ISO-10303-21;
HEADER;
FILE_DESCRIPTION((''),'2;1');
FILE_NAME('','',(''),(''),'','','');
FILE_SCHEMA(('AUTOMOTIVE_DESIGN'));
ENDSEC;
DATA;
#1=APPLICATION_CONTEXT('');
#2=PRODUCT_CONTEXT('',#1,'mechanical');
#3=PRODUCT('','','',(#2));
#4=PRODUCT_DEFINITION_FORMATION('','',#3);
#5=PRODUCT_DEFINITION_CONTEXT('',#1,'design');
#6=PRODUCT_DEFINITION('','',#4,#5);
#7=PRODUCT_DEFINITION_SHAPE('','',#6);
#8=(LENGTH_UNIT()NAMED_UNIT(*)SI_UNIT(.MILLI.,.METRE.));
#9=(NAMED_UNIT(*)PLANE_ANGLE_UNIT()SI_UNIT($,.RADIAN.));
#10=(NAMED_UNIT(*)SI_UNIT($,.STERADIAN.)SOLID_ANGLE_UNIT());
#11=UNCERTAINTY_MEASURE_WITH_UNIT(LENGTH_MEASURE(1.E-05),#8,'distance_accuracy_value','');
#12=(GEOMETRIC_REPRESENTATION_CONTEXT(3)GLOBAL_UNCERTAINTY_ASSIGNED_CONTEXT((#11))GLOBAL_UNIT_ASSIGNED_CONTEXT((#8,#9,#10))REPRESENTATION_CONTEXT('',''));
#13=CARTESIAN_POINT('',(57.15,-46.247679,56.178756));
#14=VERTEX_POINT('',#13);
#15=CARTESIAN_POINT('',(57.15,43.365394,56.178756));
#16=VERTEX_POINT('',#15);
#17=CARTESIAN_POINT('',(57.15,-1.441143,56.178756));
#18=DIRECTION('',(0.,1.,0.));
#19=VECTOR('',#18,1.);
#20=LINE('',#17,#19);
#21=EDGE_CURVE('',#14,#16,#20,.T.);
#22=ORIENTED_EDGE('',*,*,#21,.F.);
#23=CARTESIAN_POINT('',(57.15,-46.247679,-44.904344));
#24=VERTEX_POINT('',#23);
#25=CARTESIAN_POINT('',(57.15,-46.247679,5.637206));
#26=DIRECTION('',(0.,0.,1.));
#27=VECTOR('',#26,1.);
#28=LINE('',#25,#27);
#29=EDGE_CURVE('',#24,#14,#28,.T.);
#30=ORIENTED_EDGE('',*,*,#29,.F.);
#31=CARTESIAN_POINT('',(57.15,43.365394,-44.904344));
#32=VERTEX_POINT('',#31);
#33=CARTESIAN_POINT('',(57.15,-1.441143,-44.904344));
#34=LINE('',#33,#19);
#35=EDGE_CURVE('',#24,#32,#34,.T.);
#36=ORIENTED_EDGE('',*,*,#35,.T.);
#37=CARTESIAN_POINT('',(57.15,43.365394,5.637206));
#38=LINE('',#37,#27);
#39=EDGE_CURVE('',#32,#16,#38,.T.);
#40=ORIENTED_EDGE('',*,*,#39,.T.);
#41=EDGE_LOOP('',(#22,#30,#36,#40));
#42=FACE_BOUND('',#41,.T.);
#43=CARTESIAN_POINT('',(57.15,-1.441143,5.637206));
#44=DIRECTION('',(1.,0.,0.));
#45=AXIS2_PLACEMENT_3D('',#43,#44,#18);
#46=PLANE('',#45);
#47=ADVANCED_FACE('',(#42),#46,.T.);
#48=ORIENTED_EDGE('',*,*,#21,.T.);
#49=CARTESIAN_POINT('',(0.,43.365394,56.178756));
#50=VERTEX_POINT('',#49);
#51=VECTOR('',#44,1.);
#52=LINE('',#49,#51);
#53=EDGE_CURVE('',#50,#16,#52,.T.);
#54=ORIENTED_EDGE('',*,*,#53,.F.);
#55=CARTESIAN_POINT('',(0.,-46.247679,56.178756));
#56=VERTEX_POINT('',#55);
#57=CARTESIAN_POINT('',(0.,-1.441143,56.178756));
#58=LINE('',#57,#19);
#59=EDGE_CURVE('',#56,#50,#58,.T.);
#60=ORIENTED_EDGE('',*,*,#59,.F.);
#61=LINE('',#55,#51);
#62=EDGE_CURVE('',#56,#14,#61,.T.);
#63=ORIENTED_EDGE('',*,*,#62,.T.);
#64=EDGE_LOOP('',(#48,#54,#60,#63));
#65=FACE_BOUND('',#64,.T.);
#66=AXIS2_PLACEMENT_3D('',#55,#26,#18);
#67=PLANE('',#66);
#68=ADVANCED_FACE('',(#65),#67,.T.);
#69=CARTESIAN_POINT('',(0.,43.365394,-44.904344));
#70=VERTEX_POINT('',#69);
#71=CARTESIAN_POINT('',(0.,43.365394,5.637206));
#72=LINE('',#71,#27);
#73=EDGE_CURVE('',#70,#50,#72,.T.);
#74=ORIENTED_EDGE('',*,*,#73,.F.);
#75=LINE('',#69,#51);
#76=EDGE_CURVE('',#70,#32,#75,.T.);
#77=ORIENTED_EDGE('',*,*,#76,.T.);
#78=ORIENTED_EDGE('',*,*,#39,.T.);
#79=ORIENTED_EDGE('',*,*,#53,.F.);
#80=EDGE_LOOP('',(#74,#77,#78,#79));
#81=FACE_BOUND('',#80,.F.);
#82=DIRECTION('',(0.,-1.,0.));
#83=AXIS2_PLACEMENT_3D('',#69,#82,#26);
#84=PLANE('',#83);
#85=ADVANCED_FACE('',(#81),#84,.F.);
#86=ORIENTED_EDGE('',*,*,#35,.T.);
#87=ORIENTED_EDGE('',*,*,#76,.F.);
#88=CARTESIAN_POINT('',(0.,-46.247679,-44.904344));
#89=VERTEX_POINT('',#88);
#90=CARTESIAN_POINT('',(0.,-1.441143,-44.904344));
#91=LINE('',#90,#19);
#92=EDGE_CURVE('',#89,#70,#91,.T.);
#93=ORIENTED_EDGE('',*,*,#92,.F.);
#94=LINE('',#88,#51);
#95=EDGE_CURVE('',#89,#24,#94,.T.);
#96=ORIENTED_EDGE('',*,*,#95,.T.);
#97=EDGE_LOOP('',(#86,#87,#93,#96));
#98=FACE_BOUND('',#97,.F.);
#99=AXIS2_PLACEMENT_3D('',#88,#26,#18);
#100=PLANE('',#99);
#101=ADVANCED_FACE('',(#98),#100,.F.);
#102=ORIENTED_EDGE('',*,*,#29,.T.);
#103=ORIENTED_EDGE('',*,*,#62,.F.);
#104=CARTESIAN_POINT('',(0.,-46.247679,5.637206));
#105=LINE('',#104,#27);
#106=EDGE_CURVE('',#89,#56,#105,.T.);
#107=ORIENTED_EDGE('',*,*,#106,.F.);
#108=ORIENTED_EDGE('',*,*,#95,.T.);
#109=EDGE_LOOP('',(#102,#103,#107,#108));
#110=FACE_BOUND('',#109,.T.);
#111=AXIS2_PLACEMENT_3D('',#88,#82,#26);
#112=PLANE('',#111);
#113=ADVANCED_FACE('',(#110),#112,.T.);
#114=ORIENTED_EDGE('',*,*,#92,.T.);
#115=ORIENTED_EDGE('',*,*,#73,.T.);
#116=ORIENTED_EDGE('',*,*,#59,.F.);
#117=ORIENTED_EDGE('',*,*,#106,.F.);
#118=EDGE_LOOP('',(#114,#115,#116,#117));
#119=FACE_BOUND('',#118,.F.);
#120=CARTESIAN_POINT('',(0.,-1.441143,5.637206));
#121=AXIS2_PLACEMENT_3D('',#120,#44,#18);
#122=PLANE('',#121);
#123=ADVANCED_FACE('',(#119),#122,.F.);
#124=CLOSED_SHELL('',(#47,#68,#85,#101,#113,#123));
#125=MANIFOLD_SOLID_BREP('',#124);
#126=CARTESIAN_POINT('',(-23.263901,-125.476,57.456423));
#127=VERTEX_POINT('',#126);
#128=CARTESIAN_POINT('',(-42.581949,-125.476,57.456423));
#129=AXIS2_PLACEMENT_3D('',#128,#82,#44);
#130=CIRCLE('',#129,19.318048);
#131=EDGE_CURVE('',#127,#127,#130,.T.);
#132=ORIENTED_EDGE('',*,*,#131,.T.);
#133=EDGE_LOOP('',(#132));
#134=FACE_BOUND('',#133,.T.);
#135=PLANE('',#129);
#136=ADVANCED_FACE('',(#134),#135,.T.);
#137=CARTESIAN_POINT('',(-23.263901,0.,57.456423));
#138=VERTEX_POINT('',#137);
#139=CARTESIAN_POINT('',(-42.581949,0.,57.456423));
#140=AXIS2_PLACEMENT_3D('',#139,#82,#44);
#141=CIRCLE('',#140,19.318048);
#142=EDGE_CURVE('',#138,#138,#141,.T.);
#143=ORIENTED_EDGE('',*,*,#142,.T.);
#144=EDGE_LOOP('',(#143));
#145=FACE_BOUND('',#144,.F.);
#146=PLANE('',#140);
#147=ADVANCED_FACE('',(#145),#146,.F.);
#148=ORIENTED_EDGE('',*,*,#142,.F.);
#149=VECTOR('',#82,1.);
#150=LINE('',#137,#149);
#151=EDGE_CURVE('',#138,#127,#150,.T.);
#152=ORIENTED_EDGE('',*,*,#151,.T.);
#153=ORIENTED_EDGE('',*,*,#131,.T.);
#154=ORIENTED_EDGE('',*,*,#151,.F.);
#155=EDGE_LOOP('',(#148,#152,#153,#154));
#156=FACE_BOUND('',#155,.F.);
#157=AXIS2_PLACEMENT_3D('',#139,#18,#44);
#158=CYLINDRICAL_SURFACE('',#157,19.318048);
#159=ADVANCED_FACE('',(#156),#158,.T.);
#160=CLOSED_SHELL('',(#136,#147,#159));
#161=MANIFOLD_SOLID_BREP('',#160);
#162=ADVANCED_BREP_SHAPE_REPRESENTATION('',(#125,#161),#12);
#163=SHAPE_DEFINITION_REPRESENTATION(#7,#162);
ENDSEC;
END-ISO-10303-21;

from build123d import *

# Parameters (mm, degrees)
F0_W     = 89.613073
F0_H     = 101.0831
F1_DEPTH = 57.15
F2_R     = 19.318048
F3_DEPTH = 125.476


with BuildPart() as f1:
    # F0 (on Right) → F1 (new body)
    with BuildSketch(Plane.YZ):
        with Locations((-1.441143, 5.637206)):
            Rectangle(F0_W, F0_H)
    extrude(amount=F1_DEPTH)


with BuildPart() as f3:
    # F2 (on Front) → F3 (new body)
    with BuildSketch(Plane.XZ):
        with Locations((-42.581949, 57.456423)):
            Circle(F2_R)
    extrude(amount=F3_DEPTH)


solid = Compound([f1.part, f3.part])
